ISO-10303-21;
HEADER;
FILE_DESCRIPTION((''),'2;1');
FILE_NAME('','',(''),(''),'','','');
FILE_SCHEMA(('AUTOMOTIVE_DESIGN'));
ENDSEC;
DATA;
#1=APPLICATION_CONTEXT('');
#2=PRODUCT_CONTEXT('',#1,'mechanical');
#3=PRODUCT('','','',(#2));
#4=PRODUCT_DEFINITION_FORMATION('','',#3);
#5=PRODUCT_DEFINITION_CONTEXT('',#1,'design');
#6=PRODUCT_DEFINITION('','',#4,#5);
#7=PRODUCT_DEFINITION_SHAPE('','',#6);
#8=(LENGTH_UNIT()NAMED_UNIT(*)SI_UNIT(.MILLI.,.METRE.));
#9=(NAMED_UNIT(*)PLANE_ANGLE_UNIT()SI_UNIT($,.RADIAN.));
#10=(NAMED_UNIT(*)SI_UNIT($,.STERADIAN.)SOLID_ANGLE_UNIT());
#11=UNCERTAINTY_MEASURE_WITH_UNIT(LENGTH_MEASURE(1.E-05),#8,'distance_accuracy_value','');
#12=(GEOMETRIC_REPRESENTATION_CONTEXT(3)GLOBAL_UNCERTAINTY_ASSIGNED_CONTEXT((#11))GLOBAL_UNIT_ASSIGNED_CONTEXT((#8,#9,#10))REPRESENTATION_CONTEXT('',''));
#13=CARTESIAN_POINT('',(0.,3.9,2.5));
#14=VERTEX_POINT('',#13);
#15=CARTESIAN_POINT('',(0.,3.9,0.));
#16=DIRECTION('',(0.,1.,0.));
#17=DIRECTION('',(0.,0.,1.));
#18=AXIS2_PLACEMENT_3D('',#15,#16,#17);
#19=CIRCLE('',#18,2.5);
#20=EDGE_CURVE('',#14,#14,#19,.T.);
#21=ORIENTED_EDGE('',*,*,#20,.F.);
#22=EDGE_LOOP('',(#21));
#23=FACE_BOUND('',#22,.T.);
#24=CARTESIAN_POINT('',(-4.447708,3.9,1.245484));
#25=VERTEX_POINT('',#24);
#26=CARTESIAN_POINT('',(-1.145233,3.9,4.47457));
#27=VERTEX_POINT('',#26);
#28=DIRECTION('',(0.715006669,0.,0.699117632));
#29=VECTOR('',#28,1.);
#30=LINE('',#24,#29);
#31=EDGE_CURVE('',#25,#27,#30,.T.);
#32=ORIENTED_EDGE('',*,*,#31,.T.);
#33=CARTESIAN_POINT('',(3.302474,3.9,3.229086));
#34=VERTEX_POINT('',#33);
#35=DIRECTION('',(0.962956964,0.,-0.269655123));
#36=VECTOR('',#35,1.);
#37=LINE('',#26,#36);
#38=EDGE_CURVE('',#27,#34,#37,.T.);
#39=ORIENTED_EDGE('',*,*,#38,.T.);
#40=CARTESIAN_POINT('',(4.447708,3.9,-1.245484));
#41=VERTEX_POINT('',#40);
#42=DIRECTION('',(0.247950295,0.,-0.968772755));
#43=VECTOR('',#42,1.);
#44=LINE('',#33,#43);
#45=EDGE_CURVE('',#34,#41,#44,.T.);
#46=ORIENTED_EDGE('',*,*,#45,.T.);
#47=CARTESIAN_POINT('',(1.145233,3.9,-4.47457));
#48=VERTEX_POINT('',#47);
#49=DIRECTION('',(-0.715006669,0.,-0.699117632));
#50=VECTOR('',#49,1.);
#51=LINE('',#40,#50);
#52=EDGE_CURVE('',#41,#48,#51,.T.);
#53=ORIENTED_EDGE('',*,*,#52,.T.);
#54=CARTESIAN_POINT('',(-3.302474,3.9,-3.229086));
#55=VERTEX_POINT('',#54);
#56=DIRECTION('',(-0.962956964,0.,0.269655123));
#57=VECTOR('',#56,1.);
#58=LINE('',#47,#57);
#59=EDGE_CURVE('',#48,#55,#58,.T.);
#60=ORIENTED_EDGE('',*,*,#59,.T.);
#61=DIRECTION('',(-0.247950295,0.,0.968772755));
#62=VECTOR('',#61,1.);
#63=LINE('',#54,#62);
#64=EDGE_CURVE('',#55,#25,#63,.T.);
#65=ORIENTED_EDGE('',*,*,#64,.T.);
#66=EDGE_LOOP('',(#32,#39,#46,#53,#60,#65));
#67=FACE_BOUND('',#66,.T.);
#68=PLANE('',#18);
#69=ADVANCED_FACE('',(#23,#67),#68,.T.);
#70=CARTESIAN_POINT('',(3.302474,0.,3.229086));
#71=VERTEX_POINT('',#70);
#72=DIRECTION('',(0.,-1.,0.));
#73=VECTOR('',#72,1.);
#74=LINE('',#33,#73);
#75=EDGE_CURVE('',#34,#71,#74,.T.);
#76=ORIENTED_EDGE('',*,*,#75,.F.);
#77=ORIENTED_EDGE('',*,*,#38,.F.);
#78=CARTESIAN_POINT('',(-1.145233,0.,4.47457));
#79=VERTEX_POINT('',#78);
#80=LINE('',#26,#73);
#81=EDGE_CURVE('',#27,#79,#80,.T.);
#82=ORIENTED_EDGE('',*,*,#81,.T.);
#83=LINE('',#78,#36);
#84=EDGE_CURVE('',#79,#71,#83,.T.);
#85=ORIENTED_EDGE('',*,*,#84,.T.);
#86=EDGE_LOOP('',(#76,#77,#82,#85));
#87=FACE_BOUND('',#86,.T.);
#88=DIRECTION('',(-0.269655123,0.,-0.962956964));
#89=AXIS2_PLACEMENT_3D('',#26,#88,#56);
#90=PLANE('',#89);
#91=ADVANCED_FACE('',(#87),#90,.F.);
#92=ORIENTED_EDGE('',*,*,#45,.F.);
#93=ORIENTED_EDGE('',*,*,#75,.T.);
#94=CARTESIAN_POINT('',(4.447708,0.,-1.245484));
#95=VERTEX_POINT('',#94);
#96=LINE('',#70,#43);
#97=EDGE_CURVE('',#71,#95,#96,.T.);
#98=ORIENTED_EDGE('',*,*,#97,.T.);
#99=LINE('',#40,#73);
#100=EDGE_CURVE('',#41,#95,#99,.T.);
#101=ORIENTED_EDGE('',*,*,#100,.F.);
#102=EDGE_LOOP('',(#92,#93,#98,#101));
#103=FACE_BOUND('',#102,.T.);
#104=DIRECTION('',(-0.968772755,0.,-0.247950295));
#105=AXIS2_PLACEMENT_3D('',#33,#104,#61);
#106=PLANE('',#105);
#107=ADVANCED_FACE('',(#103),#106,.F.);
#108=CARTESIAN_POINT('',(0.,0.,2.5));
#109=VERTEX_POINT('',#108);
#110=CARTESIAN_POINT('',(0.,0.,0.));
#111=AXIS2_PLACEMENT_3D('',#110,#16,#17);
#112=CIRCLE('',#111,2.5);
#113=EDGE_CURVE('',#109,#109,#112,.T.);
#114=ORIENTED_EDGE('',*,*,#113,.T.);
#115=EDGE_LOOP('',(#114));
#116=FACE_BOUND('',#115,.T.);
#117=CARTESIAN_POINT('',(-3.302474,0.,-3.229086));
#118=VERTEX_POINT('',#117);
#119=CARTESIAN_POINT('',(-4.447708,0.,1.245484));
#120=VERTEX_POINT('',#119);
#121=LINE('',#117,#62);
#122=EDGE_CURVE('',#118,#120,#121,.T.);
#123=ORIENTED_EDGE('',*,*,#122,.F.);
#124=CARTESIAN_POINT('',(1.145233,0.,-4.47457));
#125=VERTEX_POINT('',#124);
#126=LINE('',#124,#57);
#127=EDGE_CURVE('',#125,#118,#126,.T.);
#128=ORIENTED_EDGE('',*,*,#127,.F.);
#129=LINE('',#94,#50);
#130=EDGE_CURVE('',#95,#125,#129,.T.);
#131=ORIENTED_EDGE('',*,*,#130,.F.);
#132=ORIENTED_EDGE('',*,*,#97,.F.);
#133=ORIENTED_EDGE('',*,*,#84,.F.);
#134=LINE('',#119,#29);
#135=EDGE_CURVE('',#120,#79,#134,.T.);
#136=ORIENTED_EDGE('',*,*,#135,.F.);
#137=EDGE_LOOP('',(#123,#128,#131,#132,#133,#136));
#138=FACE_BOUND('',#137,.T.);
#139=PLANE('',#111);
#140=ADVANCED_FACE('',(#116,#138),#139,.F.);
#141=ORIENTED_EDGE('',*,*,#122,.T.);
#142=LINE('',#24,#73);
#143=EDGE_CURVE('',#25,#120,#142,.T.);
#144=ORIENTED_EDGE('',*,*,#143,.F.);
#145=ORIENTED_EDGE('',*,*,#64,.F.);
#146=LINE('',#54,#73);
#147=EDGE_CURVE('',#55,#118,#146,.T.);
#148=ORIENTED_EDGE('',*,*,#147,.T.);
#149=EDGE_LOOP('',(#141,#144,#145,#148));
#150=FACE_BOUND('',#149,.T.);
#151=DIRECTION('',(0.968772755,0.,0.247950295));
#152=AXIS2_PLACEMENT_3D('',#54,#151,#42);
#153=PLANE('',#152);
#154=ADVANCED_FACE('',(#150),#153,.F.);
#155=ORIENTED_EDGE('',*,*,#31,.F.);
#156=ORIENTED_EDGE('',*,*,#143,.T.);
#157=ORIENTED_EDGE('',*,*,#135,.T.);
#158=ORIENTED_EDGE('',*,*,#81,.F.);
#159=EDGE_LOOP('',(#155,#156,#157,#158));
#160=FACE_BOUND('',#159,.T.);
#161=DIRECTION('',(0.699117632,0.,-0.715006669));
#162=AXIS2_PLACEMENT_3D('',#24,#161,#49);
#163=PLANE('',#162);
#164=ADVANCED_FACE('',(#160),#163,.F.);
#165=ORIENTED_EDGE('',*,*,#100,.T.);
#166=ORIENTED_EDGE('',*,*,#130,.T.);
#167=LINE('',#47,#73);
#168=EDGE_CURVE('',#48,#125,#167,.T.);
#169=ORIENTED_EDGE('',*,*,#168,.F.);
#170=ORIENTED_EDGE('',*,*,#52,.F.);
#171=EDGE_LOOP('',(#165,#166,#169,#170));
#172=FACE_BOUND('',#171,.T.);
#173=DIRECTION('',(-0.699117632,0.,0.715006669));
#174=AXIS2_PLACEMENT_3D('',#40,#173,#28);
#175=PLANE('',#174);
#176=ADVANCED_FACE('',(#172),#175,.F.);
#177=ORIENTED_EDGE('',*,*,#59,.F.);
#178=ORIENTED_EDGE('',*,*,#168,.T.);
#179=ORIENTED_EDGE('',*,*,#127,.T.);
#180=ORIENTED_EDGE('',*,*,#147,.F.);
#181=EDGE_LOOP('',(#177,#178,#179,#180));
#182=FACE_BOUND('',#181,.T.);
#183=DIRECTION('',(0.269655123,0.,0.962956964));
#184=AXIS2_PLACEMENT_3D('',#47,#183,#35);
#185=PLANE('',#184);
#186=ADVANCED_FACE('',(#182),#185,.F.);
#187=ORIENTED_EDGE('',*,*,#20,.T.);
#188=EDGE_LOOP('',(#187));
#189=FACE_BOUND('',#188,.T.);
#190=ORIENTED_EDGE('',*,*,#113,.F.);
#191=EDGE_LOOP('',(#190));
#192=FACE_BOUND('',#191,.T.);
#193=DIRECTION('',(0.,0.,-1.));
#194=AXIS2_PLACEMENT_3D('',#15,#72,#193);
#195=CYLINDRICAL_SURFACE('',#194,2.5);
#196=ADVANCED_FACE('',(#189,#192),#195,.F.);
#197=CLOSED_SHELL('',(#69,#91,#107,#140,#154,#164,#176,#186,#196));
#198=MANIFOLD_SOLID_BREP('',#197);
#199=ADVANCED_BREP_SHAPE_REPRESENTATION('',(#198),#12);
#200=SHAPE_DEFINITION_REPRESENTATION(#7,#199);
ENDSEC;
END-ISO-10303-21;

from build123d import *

# Parameters (mm, degrees)
SKETCH_1_R      = 2.5
EXTRUDE_1_DEPTH = 3.9


with BuildPart() as part:
    # 草图1 → 凸台-拉伸1 (new body)
    with BuildSketch(Plane(origin=(0, 0, 0), x_dir=(1, 0, 0), z_dir=(0, 1, 0))):
        Polygon((3.302474343, -3.229086024), (4.447707699, 1.245483664), (1.145233356, 4.474569688), (-3.302474343, 3.229086024), (-4.447707699, -1.245483664), (-1.145233356, -4.474569688), align=None)
        Circle(SKETCH_1_R, mode=Mode.SUBTRACT)
    extrude(amount=EXTRUDE_1_DEPTH)


solid = part.part
